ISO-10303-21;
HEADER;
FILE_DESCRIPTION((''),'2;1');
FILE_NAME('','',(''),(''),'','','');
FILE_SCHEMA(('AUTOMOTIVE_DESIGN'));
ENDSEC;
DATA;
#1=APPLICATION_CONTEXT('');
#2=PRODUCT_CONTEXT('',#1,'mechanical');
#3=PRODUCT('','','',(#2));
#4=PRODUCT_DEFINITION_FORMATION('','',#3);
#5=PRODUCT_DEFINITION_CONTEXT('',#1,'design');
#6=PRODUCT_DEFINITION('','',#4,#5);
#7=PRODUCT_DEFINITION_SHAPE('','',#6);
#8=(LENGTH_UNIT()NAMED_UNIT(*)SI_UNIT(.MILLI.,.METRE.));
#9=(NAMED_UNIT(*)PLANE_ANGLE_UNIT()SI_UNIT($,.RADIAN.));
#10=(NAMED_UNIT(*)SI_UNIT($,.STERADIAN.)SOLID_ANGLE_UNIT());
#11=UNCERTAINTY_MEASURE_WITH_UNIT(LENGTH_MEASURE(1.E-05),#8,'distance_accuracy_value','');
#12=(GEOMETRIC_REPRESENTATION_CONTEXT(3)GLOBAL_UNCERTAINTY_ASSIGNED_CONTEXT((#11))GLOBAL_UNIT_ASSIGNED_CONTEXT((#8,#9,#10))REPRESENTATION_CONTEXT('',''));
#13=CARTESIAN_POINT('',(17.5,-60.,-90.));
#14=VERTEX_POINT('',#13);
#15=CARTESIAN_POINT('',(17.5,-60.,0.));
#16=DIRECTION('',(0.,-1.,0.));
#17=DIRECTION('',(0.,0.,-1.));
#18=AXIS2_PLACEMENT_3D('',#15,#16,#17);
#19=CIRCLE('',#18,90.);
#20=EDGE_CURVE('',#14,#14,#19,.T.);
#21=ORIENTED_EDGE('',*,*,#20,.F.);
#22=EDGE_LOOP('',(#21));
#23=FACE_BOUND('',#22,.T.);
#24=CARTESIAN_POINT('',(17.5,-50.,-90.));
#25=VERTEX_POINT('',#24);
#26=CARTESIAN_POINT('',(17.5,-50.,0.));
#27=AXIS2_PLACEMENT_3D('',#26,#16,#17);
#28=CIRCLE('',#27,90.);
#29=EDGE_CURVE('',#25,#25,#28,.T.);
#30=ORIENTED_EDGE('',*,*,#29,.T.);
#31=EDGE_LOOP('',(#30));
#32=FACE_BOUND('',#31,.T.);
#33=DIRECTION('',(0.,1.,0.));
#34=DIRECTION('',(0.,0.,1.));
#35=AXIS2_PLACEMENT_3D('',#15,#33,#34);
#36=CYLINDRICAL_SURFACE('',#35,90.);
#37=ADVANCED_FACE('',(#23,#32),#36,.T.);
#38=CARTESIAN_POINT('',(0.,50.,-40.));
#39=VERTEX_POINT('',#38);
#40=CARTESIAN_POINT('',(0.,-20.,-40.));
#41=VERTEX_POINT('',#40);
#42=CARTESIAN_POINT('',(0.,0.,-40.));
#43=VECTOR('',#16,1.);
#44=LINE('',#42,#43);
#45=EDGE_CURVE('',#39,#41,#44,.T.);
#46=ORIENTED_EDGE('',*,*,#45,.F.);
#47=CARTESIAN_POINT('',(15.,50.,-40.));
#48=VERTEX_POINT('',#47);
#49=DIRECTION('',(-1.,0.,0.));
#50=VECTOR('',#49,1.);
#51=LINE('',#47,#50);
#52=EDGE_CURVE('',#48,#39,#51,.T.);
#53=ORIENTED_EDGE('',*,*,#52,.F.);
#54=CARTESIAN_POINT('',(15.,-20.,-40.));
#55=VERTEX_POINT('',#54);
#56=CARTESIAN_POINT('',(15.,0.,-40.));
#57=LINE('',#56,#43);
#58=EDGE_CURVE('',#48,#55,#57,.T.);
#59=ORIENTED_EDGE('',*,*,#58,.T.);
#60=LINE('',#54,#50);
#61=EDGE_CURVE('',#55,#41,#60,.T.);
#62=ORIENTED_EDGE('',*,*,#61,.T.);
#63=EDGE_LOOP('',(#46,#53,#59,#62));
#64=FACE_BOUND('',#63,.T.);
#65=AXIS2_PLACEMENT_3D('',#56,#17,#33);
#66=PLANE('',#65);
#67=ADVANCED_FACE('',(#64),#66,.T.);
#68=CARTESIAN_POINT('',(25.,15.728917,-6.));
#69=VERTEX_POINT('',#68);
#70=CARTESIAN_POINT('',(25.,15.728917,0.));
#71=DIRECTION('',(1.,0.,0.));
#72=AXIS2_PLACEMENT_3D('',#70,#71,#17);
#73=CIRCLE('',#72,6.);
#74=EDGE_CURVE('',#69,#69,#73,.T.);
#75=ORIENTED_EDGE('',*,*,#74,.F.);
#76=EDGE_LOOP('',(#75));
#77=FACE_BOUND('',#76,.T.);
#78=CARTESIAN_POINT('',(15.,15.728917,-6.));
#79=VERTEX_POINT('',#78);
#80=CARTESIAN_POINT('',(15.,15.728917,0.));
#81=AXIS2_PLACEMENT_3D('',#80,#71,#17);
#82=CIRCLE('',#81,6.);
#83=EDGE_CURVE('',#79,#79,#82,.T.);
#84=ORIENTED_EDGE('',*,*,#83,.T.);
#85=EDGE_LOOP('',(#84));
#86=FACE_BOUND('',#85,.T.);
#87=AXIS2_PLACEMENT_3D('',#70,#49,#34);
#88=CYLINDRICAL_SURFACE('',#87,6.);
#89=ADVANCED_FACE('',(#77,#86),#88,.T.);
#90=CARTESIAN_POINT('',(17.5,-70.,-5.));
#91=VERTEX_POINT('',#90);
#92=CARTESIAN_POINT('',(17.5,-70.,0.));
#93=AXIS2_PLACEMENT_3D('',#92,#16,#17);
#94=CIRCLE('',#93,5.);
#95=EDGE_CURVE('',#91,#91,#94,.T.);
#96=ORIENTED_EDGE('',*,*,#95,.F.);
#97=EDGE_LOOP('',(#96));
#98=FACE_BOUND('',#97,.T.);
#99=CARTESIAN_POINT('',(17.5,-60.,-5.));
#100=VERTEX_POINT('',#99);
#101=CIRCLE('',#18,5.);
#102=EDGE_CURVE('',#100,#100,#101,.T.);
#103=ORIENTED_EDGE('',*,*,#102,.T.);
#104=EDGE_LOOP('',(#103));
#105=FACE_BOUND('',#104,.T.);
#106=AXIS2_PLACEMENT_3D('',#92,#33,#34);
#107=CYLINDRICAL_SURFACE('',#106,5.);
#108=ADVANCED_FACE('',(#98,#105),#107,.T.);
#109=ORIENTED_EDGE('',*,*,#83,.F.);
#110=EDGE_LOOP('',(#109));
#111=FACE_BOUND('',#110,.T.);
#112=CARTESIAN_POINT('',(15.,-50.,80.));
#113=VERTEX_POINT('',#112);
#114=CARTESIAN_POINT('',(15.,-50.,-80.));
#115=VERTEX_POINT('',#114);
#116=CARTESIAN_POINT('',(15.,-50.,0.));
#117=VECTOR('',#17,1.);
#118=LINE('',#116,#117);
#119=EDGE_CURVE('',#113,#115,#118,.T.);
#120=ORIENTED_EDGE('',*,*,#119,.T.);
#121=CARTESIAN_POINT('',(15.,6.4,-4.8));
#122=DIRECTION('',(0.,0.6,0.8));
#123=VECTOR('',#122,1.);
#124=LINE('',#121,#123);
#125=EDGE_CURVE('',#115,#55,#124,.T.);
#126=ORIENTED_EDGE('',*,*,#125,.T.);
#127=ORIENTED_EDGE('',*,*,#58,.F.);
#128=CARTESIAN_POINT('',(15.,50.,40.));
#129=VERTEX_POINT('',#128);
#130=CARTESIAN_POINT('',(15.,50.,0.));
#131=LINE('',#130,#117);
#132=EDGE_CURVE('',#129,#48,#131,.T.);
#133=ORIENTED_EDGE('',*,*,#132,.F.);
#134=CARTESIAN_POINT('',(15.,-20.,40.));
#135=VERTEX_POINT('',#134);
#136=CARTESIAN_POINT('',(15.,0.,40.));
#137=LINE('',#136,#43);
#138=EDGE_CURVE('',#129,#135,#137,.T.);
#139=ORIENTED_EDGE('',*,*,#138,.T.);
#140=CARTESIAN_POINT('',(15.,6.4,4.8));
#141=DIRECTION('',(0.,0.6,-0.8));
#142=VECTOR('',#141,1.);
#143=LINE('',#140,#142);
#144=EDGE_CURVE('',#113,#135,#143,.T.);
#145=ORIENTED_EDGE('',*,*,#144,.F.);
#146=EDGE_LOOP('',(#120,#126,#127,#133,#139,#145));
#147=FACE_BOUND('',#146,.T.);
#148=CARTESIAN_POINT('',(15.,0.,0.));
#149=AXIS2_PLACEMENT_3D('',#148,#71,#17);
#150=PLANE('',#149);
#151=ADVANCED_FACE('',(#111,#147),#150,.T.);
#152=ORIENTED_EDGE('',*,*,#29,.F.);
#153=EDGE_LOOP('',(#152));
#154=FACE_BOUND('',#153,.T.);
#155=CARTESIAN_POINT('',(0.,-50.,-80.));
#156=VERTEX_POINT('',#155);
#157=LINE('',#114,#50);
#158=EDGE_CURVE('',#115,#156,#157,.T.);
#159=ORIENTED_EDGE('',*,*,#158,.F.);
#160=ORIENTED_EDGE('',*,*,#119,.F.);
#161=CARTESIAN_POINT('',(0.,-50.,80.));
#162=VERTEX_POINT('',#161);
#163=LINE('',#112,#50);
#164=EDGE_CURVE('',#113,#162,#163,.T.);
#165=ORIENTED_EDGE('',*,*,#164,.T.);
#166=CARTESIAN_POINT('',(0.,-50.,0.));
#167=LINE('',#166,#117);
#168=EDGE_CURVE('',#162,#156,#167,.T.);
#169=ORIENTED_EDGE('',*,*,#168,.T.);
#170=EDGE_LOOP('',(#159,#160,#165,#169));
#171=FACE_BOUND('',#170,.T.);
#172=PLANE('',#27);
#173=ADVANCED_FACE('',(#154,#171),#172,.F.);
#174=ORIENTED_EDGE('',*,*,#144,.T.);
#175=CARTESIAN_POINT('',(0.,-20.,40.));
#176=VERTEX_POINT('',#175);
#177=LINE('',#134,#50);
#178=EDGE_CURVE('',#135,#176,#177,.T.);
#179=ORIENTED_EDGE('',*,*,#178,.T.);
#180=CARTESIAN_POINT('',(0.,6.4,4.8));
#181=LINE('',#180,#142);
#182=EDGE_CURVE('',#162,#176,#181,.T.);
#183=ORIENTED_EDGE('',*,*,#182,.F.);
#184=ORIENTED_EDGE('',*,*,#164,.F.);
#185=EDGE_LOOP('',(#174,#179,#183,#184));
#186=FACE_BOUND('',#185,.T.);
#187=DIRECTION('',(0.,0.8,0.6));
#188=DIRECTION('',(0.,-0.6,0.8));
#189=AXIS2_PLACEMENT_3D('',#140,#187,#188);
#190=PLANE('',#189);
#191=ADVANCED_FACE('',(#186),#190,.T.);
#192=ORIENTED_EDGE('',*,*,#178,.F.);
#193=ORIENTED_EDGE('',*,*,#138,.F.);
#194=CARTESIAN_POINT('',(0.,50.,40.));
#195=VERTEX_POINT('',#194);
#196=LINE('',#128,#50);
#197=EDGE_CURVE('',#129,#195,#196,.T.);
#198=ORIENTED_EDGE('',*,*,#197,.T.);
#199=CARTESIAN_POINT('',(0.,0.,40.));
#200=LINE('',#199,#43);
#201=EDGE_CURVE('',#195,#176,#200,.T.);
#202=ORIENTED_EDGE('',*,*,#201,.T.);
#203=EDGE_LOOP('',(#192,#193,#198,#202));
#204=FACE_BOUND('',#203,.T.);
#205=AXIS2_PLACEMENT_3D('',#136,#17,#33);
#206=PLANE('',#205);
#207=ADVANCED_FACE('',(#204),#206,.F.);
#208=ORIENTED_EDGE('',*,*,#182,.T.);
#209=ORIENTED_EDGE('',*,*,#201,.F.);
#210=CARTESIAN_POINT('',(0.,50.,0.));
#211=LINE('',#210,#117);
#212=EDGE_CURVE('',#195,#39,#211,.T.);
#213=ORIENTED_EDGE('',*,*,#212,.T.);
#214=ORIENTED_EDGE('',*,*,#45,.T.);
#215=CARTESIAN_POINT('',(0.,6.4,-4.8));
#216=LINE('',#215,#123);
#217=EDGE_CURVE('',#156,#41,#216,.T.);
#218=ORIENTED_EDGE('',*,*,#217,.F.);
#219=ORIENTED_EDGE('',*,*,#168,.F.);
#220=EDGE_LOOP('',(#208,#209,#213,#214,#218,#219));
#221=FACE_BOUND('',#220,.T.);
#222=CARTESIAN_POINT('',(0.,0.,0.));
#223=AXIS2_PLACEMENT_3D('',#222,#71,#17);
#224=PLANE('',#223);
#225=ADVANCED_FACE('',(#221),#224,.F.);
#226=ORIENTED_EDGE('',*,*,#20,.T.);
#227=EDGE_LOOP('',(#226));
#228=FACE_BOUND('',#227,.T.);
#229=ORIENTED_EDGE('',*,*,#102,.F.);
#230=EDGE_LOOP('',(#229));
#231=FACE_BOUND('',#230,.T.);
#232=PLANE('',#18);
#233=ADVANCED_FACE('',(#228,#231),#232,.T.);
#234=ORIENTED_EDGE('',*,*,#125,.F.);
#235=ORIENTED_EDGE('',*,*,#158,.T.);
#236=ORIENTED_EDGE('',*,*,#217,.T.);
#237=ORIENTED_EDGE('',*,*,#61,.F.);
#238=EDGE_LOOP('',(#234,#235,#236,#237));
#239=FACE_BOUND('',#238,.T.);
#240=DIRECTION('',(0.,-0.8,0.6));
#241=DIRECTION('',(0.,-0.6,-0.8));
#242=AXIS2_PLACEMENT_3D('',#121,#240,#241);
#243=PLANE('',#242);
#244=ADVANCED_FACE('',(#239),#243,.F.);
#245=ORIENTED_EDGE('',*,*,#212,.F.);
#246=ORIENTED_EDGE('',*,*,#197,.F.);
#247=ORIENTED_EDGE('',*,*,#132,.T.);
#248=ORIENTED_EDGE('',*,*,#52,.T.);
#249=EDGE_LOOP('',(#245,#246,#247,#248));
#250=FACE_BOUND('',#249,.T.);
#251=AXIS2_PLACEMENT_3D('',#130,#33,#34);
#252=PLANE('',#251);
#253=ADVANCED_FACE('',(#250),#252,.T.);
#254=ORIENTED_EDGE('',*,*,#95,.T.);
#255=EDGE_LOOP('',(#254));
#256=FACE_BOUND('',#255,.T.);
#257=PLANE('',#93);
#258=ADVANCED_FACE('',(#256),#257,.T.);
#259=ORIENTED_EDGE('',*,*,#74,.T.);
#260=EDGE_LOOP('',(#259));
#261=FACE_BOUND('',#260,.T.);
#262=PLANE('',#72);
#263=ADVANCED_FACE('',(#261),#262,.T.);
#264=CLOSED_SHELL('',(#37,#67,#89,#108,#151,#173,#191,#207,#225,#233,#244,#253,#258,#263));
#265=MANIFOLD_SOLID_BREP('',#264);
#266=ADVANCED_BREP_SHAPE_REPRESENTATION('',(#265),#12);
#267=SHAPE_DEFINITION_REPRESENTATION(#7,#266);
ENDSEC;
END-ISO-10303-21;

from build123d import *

# Parameters (mm, degrees)
SKETCH1_W           = 80
SKETCH1_H           = 100
BOSS_EXTRUDE1_DEPTH = 15
SKETCH3_R           = 90
BOSS_EXTRUDE2_DEPTH = 10
SKETCH2_R           = 6
BOSS_EXTRUDE3_DEPTH = 10
SKETCH4_R           = 5
BOSS_EXTRUDE4_DEPTH = 10


with BuildPart() as part:
    # Sketch1 → Boss-Extrude1 (new body)
    with BuildSketch(Plane(origin=(0, 0, 0), x_dir=(0, 0, -1), z_dir=(1, 0, 0))):
        Polygon((40, -20), (40, -50), (80, -50), align=None)
        Rectangle(SKETCH1_W, SKETCH1_H)
        Polygon((-80, -50), (-40, -50), (-40, -20), align=None)
    extrude(amount=BOSS_EXTRUDE1_DEPTH)

    # Sketch3 → Boss-Extrude2 (add)
    with BuildSketch(Plane.XZ.offset(50)):
        with Locations((17.5, 0)):
            Circle(SKETCH3_R)
    extrude(amount=BOSS_EXTRUDE2_DEPTH)

    # Sketch2 → Boss-Extrude3 (add)
    with BuildSketch(Plane(origin=(15, 0, 0), x_dir=(0, 0, -1), z_dir=(1, 0, 0))):
        with Locations((0, 15.728916746)):
            Circle(SKETCH2_R)
    extrude(amount=BOSS_EXTRUDE3_DEPTH)

    # Sketch4 → Boss-Extrude4 (add)
    with BuildSketch(Plane.XZ.offset(60)):
        with Locations((17.5, 0)):
            Circle(SKETCH4_R)
    extrude(amount=BOSS_EXTRUDE4_DEPTH)


solid = part.part
